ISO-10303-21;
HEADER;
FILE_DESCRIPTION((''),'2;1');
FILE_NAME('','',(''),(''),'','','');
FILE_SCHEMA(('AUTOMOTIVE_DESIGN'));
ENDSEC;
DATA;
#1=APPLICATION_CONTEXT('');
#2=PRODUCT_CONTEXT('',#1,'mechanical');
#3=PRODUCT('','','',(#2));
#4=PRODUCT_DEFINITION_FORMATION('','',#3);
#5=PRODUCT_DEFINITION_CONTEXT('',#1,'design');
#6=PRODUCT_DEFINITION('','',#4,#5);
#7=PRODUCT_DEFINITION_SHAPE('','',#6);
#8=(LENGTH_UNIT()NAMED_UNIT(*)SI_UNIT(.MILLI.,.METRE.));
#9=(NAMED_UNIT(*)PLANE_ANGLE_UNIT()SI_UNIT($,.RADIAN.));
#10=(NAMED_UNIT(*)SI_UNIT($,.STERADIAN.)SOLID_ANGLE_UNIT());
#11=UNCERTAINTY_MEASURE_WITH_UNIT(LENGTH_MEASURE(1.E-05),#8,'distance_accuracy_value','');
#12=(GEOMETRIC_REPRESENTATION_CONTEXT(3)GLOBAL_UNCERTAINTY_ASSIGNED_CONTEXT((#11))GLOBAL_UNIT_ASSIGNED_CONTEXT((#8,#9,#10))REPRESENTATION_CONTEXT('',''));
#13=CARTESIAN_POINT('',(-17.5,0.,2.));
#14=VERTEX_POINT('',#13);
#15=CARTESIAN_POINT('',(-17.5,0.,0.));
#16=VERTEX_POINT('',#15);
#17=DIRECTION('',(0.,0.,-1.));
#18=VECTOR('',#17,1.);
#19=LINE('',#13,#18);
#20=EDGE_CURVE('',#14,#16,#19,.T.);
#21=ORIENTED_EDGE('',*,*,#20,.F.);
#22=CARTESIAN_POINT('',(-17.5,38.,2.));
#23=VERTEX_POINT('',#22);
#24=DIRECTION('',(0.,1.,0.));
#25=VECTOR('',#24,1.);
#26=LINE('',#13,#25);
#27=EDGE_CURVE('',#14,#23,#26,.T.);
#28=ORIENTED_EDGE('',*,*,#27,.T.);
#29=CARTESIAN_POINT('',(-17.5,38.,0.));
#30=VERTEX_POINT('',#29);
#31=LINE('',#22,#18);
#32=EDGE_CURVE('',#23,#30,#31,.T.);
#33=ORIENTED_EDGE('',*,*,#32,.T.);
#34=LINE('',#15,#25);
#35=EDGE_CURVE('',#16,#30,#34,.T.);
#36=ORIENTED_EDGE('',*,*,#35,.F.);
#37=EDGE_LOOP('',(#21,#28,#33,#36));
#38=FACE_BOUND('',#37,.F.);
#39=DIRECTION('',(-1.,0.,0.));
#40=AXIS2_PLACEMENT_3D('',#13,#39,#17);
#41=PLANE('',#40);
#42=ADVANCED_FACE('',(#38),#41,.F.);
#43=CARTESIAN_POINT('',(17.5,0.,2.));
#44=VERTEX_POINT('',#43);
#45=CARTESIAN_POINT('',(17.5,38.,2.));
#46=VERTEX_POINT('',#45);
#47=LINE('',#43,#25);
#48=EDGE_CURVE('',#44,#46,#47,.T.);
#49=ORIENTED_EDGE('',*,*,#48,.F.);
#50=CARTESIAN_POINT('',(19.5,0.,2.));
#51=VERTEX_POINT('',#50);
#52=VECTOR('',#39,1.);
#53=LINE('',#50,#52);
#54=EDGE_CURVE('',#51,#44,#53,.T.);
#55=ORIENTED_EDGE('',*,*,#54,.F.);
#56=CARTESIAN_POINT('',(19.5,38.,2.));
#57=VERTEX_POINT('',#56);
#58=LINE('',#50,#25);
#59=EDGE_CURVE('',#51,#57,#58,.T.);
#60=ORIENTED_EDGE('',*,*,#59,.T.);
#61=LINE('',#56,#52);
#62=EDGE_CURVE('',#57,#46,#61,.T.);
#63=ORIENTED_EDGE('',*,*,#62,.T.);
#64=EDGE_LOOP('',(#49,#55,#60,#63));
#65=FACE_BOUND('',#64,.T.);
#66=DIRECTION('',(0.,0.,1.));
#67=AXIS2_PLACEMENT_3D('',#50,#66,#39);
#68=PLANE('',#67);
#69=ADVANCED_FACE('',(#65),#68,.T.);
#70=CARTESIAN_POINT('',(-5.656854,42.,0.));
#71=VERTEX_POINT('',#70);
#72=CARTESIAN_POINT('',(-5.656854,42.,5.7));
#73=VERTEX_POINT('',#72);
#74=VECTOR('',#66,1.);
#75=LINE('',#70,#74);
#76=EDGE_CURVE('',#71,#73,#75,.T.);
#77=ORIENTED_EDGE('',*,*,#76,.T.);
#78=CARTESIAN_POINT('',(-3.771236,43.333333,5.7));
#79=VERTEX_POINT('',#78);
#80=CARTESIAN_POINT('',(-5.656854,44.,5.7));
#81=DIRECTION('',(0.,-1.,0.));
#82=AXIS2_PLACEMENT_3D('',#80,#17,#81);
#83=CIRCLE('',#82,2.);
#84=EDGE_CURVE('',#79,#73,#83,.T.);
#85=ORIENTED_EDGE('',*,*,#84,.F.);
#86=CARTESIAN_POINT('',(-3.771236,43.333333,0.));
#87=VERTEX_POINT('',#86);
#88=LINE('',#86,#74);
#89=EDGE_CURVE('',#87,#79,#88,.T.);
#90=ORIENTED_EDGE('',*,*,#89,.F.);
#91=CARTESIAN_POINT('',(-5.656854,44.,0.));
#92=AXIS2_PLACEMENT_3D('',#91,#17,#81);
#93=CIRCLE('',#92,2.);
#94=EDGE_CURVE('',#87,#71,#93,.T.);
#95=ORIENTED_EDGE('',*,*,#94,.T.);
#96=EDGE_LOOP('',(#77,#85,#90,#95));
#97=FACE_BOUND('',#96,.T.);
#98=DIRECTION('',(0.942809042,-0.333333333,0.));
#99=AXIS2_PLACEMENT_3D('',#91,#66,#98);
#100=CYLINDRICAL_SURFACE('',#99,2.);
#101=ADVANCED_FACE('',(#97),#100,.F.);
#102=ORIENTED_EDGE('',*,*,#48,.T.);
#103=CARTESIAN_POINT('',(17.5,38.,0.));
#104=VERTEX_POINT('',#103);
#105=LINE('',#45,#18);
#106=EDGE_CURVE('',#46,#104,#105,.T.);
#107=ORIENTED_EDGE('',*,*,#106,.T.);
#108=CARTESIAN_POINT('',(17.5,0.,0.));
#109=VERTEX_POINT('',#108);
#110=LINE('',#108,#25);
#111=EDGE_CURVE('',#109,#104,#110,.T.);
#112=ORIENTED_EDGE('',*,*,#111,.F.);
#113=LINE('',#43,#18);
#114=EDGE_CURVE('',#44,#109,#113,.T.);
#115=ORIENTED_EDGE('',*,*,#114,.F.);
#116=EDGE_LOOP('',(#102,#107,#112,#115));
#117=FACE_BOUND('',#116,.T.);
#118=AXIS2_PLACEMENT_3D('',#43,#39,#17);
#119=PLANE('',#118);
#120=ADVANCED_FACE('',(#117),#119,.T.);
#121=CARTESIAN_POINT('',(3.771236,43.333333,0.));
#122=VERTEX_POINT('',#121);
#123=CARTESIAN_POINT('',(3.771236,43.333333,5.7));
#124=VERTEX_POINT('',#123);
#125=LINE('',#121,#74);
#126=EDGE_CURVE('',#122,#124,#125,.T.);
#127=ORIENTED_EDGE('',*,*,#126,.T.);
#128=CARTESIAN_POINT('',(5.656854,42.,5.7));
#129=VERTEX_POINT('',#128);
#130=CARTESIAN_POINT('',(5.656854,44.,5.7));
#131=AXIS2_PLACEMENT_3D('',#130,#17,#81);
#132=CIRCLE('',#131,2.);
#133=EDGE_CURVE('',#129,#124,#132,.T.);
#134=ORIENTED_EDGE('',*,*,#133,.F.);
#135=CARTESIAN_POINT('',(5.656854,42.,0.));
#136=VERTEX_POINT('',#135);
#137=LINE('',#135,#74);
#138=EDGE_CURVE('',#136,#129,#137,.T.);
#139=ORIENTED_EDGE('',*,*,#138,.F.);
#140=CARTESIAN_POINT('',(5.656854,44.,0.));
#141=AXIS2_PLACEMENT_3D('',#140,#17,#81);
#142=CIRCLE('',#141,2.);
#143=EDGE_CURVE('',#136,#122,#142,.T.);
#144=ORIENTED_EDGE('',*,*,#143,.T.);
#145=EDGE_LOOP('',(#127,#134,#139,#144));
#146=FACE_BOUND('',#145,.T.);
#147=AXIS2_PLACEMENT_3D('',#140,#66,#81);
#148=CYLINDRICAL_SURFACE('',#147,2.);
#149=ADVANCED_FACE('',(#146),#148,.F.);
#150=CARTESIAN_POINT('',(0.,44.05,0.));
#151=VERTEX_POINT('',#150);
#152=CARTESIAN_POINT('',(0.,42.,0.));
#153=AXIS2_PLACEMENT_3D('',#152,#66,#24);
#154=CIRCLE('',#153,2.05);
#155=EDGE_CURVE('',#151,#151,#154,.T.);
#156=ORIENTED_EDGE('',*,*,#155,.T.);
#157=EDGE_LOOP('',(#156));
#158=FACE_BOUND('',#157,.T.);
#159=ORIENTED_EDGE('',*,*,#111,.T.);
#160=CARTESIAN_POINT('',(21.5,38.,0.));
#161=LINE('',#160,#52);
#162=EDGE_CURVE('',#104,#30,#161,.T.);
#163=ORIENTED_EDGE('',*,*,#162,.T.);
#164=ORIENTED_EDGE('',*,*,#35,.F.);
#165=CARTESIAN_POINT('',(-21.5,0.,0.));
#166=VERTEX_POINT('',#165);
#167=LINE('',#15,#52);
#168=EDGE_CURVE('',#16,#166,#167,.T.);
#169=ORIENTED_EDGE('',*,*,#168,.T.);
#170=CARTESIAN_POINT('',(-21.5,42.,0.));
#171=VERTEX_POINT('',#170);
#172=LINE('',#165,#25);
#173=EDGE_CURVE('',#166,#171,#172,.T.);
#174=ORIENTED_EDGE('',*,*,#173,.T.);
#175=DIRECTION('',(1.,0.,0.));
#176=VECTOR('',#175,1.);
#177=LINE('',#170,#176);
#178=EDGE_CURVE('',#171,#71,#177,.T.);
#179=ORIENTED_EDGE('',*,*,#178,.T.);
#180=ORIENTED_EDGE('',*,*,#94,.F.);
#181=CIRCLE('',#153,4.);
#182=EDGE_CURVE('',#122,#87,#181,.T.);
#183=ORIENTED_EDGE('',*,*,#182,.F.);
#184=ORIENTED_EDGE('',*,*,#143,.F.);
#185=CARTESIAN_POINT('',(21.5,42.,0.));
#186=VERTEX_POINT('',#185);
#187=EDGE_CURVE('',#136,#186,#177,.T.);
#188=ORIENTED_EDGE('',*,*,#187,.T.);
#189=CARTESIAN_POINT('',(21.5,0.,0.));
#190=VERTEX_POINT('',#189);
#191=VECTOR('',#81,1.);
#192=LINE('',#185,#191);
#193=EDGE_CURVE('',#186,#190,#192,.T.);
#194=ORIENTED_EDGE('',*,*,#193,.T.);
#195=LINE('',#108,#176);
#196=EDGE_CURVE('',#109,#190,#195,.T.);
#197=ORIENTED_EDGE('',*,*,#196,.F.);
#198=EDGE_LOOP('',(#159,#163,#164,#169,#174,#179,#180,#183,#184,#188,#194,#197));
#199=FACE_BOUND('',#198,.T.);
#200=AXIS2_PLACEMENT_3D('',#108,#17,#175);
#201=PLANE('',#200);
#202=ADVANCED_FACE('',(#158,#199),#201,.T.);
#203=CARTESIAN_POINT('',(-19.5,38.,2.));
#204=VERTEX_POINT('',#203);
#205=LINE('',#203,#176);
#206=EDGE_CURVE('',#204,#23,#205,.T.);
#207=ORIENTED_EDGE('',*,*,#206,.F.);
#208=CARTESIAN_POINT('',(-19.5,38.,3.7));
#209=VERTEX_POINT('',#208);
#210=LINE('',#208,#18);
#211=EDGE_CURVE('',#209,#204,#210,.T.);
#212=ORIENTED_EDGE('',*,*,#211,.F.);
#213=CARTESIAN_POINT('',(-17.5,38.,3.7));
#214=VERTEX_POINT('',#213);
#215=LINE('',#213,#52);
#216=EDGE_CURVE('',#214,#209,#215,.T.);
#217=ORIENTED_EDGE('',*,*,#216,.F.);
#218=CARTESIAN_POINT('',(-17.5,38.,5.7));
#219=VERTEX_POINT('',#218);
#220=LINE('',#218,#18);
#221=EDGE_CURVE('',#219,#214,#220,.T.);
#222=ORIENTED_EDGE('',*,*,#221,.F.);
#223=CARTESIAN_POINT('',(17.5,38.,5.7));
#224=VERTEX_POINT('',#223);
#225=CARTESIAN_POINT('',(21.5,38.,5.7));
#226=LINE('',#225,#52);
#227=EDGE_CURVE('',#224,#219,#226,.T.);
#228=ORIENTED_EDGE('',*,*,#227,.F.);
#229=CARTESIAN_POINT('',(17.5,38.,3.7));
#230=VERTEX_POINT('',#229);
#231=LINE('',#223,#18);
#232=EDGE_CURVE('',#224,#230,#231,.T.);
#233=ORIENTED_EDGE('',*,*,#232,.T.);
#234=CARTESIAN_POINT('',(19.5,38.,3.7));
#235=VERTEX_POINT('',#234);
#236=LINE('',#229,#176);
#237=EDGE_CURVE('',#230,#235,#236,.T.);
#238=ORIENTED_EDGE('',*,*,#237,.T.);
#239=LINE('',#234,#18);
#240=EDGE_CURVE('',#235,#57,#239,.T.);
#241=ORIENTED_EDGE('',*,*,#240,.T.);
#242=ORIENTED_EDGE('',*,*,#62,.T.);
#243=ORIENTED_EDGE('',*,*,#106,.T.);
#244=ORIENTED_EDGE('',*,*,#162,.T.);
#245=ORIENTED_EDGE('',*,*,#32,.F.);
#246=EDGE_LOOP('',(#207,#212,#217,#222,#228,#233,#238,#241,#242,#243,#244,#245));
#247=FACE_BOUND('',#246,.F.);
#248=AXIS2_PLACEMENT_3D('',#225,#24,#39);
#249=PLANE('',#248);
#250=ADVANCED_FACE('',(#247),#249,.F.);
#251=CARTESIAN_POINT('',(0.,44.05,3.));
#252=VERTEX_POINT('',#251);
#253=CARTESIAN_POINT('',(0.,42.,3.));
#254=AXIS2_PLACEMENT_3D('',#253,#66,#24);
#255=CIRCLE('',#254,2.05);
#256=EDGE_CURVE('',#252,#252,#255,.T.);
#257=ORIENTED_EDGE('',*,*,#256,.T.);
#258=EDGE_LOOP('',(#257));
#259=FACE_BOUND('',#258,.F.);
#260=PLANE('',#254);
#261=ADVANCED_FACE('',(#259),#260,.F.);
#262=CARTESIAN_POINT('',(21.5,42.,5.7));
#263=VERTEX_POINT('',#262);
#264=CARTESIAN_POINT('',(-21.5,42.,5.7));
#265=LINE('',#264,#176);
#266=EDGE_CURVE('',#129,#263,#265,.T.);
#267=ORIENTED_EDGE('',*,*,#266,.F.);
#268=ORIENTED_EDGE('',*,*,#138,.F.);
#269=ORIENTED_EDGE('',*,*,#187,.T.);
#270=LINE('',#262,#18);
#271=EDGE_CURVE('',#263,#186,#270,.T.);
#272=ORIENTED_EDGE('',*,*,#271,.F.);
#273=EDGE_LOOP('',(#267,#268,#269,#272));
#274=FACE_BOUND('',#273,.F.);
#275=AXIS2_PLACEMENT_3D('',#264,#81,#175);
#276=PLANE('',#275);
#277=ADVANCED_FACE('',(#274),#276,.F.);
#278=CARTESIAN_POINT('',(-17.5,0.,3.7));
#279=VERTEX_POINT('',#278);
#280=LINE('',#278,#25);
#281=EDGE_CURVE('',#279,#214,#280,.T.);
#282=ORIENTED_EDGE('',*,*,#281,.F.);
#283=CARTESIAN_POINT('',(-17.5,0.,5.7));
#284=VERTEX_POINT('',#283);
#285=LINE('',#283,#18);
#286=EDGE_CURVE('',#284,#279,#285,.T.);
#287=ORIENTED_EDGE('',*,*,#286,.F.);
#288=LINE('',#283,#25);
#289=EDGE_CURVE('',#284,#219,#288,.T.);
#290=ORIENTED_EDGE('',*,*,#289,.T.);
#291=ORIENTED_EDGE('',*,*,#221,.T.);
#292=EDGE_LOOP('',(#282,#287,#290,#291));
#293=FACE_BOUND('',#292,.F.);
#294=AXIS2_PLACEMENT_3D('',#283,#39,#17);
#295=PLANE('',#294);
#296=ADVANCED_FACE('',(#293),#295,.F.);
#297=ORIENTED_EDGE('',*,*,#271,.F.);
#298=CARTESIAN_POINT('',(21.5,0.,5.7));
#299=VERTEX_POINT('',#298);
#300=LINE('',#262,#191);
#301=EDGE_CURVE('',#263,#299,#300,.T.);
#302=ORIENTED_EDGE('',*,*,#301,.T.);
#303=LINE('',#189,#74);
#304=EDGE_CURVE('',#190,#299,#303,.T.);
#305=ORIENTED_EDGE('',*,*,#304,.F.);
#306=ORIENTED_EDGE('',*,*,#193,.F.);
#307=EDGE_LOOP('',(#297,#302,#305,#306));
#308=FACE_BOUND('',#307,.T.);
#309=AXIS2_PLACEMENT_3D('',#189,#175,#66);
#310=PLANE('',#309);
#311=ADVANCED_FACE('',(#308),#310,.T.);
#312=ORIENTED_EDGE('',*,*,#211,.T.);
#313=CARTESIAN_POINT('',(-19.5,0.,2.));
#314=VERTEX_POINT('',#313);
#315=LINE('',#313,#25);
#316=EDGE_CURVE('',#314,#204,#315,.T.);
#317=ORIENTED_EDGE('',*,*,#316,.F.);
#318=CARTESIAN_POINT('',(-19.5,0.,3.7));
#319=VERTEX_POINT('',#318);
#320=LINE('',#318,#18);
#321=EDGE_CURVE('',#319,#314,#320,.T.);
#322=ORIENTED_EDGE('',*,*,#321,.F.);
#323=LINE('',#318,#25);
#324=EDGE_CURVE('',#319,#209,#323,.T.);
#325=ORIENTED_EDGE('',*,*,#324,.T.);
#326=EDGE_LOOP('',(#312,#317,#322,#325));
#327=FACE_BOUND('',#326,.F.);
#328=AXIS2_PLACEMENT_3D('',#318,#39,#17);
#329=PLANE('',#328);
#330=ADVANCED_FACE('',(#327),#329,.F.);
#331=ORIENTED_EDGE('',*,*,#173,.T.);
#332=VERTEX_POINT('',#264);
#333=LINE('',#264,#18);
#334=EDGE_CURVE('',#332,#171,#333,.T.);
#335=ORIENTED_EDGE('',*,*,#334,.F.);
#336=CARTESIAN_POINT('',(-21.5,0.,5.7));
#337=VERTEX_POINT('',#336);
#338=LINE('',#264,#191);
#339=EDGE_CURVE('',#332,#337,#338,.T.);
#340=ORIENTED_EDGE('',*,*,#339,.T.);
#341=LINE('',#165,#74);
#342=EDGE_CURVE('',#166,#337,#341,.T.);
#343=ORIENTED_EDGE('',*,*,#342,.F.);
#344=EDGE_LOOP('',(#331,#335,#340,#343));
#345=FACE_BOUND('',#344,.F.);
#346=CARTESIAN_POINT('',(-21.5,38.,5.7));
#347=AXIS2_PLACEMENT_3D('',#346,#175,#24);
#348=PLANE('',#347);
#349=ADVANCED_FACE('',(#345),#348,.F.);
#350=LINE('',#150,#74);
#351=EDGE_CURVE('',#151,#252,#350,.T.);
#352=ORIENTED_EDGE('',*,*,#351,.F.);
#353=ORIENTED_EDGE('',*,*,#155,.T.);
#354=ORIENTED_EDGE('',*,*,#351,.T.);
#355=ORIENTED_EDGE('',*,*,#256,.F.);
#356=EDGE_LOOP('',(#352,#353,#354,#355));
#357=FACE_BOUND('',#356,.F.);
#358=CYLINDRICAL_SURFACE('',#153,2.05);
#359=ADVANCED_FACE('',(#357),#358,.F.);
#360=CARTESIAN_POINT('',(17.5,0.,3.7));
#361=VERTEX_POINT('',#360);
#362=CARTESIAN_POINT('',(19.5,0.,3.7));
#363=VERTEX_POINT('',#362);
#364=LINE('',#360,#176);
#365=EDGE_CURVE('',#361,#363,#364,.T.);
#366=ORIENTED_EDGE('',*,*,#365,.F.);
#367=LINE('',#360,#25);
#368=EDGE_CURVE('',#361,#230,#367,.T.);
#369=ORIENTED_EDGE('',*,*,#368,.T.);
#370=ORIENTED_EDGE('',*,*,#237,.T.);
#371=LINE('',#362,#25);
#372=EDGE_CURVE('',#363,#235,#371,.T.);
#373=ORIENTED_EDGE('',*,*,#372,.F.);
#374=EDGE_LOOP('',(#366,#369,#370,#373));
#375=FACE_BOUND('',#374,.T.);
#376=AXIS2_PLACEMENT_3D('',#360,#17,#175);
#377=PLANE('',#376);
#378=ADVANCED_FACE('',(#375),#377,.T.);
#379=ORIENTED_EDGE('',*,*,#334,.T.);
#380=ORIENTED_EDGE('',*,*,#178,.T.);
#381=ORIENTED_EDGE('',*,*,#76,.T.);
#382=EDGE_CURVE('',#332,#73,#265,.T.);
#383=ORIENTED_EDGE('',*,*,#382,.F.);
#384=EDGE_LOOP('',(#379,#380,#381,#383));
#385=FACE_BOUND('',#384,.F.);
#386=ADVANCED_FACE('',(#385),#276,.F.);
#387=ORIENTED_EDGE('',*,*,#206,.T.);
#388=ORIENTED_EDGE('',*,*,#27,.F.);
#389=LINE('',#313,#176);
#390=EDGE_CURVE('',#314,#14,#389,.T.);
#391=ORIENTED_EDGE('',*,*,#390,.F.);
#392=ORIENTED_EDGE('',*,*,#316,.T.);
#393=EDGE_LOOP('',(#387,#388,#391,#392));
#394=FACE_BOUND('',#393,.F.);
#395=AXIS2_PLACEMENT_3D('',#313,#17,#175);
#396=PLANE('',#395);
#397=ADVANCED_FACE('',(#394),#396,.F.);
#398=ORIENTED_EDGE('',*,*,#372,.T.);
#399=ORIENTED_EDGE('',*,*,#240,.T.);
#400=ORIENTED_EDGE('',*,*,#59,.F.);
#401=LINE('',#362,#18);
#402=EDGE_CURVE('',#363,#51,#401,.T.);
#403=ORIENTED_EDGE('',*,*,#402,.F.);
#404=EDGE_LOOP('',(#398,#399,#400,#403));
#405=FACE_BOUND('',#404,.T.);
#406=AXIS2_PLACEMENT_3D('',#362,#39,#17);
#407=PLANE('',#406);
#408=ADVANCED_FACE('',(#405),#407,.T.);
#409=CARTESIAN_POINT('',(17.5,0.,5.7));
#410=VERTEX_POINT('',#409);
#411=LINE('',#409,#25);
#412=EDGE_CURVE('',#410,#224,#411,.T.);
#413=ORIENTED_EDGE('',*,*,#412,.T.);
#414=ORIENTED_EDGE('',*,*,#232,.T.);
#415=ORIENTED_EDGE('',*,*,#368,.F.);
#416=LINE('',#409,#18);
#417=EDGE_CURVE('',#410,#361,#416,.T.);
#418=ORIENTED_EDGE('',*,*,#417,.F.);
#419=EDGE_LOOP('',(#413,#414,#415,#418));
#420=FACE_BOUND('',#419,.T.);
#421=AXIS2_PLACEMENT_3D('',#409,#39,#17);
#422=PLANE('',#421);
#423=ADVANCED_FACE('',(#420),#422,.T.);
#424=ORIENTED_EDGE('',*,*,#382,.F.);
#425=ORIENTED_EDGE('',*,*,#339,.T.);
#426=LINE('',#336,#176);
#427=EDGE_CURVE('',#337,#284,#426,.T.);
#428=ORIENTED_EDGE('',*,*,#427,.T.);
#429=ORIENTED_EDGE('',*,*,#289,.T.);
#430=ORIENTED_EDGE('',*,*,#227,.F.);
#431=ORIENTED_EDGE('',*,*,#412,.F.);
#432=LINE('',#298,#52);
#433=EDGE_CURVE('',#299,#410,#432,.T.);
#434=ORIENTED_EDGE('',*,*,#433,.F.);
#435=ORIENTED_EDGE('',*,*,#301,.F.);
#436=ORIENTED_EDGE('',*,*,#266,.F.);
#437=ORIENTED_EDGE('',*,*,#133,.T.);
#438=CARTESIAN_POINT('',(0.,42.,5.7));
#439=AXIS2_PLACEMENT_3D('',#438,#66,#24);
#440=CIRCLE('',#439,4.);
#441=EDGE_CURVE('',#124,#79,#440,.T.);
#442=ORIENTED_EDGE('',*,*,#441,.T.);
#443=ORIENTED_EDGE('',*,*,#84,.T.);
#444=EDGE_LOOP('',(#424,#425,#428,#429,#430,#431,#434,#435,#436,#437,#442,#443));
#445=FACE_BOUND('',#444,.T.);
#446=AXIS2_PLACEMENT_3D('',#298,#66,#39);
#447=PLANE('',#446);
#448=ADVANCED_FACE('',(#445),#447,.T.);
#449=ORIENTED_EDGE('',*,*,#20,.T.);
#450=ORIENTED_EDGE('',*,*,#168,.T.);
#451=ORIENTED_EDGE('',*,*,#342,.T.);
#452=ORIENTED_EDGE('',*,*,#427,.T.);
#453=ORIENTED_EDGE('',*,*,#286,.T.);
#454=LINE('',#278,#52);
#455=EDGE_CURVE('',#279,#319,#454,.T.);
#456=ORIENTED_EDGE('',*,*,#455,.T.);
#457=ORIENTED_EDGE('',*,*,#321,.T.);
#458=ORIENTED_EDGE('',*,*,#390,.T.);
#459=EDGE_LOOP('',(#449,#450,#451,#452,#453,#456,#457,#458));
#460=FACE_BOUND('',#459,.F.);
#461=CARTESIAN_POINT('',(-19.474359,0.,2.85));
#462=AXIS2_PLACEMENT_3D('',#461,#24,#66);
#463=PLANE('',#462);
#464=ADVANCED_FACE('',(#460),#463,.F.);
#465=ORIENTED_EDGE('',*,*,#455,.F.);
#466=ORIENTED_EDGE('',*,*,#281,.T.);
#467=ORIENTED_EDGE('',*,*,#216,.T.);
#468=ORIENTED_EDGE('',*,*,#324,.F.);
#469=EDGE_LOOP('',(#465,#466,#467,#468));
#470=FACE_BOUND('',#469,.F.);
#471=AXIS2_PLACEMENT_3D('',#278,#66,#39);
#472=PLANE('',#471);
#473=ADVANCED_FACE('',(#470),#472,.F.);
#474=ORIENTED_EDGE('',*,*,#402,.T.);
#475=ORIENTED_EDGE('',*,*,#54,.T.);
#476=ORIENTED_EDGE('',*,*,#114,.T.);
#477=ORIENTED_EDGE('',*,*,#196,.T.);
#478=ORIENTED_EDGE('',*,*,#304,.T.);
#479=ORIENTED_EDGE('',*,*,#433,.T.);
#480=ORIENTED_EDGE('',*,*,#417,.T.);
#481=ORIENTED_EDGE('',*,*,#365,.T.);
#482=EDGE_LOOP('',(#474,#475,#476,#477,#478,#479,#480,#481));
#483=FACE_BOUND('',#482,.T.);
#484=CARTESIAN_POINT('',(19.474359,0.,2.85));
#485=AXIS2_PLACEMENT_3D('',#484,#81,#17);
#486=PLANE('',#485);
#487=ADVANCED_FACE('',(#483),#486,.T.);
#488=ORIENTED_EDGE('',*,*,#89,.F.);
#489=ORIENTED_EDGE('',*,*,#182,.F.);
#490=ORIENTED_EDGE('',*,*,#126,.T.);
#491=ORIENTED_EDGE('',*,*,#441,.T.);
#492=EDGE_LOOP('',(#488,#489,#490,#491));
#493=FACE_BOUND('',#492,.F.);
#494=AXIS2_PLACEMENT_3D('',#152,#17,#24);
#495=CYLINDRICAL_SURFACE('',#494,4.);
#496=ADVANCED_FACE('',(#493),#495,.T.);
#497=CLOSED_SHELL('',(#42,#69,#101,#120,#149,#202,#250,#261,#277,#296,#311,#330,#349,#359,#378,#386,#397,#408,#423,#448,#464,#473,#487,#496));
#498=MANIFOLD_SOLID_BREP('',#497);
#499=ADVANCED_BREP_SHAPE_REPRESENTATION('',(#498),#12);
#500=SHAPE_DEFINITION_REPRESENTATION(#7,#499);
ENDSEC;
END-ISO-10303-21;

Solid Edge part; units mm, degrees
sketch "Sketch1" plane through (0, 0, 0) normal (0, -1, 0) x (1, 0, 0)
  line L0 (17.5, 2) -> (17.5, 0)
  line L1 (17.5, 0) -> (21.5, 0)
  line L2 (21.5, 0) -> (21.5, 5.7)
  line L3 (21.5, 5.7) -> (17.5, 5.7)
  line L4 (17.5, 5.7) -> (17.5, 3.7)
  line L5 (17.5, 3.7) -> (19.5, 3.7)
  line L6 (19.5, 3.7) -> (19.5, 2)
  line L7 (19.5, 2) -> (17.5, 2)
  line L8 (-21.5, 0) -> (-21.5, 5.7)
  line L9 (-21.5, 5.7) -> (-17.5, 5.7)
  line L10 (-17.5, 5.7) -> (-17.5, 3.7)
  line L11 (-17.5, 3.7) -> (-19.5, 3.7)
  line L12 (-19.5, 3.7) -> (-19.5, 2)
  line L13 (-19.5, 2) -> (-17.5, 2)
  line L14 (-17.5, 2) -> (-17.5, 0)
  line L15 (-17.5, 0) -> (-21.5, 0)
  dimension "D1" = 19.5
  dimension "D2" = 2
  dimension "D3" = 2
  dimension "D4" = 1.7
  dimension "D5" = 4
extrude "Protrusion1" add sketch "Sketch1" against normal blind 38
sketch "Sketch2" plane through (-19.2, 19, 5.7) normal (0, 0, 1) x (0, 1, 0)
  line L0 (23, 2.3) -> (23, -40.7)
  line L1 (23, -40.7) -> (19, -40.7)
  line L2 (19, -40.7) -> (19, 2.3)
  line L3 (19, 2.3) -> (23, 2.3)
extrude "Protrusion2" add sketch "Sketch2" against normal up to surface (5.7 mm away)
sketch "Sketch3" plane through (0, 21, 0) normal (0, 0, -1) x (0, 1, 0)
  arc A0 (21, 4) -> (21, -4) centre (21, 0) cw
  line L0 (21, -4) -> (21, 4)
extrude "Protrusion3" add sketch "Sketch3" against normal up to surface (5.7 mm away)
hole "Agujero_1" at (0, 42, 0) direction (0, 0, 1) diameter 4.1 depth 3
fillet "Redondeo_1" radius 2 2 edges at (-4, 42, 2.85) (4, 42, 2.85)
